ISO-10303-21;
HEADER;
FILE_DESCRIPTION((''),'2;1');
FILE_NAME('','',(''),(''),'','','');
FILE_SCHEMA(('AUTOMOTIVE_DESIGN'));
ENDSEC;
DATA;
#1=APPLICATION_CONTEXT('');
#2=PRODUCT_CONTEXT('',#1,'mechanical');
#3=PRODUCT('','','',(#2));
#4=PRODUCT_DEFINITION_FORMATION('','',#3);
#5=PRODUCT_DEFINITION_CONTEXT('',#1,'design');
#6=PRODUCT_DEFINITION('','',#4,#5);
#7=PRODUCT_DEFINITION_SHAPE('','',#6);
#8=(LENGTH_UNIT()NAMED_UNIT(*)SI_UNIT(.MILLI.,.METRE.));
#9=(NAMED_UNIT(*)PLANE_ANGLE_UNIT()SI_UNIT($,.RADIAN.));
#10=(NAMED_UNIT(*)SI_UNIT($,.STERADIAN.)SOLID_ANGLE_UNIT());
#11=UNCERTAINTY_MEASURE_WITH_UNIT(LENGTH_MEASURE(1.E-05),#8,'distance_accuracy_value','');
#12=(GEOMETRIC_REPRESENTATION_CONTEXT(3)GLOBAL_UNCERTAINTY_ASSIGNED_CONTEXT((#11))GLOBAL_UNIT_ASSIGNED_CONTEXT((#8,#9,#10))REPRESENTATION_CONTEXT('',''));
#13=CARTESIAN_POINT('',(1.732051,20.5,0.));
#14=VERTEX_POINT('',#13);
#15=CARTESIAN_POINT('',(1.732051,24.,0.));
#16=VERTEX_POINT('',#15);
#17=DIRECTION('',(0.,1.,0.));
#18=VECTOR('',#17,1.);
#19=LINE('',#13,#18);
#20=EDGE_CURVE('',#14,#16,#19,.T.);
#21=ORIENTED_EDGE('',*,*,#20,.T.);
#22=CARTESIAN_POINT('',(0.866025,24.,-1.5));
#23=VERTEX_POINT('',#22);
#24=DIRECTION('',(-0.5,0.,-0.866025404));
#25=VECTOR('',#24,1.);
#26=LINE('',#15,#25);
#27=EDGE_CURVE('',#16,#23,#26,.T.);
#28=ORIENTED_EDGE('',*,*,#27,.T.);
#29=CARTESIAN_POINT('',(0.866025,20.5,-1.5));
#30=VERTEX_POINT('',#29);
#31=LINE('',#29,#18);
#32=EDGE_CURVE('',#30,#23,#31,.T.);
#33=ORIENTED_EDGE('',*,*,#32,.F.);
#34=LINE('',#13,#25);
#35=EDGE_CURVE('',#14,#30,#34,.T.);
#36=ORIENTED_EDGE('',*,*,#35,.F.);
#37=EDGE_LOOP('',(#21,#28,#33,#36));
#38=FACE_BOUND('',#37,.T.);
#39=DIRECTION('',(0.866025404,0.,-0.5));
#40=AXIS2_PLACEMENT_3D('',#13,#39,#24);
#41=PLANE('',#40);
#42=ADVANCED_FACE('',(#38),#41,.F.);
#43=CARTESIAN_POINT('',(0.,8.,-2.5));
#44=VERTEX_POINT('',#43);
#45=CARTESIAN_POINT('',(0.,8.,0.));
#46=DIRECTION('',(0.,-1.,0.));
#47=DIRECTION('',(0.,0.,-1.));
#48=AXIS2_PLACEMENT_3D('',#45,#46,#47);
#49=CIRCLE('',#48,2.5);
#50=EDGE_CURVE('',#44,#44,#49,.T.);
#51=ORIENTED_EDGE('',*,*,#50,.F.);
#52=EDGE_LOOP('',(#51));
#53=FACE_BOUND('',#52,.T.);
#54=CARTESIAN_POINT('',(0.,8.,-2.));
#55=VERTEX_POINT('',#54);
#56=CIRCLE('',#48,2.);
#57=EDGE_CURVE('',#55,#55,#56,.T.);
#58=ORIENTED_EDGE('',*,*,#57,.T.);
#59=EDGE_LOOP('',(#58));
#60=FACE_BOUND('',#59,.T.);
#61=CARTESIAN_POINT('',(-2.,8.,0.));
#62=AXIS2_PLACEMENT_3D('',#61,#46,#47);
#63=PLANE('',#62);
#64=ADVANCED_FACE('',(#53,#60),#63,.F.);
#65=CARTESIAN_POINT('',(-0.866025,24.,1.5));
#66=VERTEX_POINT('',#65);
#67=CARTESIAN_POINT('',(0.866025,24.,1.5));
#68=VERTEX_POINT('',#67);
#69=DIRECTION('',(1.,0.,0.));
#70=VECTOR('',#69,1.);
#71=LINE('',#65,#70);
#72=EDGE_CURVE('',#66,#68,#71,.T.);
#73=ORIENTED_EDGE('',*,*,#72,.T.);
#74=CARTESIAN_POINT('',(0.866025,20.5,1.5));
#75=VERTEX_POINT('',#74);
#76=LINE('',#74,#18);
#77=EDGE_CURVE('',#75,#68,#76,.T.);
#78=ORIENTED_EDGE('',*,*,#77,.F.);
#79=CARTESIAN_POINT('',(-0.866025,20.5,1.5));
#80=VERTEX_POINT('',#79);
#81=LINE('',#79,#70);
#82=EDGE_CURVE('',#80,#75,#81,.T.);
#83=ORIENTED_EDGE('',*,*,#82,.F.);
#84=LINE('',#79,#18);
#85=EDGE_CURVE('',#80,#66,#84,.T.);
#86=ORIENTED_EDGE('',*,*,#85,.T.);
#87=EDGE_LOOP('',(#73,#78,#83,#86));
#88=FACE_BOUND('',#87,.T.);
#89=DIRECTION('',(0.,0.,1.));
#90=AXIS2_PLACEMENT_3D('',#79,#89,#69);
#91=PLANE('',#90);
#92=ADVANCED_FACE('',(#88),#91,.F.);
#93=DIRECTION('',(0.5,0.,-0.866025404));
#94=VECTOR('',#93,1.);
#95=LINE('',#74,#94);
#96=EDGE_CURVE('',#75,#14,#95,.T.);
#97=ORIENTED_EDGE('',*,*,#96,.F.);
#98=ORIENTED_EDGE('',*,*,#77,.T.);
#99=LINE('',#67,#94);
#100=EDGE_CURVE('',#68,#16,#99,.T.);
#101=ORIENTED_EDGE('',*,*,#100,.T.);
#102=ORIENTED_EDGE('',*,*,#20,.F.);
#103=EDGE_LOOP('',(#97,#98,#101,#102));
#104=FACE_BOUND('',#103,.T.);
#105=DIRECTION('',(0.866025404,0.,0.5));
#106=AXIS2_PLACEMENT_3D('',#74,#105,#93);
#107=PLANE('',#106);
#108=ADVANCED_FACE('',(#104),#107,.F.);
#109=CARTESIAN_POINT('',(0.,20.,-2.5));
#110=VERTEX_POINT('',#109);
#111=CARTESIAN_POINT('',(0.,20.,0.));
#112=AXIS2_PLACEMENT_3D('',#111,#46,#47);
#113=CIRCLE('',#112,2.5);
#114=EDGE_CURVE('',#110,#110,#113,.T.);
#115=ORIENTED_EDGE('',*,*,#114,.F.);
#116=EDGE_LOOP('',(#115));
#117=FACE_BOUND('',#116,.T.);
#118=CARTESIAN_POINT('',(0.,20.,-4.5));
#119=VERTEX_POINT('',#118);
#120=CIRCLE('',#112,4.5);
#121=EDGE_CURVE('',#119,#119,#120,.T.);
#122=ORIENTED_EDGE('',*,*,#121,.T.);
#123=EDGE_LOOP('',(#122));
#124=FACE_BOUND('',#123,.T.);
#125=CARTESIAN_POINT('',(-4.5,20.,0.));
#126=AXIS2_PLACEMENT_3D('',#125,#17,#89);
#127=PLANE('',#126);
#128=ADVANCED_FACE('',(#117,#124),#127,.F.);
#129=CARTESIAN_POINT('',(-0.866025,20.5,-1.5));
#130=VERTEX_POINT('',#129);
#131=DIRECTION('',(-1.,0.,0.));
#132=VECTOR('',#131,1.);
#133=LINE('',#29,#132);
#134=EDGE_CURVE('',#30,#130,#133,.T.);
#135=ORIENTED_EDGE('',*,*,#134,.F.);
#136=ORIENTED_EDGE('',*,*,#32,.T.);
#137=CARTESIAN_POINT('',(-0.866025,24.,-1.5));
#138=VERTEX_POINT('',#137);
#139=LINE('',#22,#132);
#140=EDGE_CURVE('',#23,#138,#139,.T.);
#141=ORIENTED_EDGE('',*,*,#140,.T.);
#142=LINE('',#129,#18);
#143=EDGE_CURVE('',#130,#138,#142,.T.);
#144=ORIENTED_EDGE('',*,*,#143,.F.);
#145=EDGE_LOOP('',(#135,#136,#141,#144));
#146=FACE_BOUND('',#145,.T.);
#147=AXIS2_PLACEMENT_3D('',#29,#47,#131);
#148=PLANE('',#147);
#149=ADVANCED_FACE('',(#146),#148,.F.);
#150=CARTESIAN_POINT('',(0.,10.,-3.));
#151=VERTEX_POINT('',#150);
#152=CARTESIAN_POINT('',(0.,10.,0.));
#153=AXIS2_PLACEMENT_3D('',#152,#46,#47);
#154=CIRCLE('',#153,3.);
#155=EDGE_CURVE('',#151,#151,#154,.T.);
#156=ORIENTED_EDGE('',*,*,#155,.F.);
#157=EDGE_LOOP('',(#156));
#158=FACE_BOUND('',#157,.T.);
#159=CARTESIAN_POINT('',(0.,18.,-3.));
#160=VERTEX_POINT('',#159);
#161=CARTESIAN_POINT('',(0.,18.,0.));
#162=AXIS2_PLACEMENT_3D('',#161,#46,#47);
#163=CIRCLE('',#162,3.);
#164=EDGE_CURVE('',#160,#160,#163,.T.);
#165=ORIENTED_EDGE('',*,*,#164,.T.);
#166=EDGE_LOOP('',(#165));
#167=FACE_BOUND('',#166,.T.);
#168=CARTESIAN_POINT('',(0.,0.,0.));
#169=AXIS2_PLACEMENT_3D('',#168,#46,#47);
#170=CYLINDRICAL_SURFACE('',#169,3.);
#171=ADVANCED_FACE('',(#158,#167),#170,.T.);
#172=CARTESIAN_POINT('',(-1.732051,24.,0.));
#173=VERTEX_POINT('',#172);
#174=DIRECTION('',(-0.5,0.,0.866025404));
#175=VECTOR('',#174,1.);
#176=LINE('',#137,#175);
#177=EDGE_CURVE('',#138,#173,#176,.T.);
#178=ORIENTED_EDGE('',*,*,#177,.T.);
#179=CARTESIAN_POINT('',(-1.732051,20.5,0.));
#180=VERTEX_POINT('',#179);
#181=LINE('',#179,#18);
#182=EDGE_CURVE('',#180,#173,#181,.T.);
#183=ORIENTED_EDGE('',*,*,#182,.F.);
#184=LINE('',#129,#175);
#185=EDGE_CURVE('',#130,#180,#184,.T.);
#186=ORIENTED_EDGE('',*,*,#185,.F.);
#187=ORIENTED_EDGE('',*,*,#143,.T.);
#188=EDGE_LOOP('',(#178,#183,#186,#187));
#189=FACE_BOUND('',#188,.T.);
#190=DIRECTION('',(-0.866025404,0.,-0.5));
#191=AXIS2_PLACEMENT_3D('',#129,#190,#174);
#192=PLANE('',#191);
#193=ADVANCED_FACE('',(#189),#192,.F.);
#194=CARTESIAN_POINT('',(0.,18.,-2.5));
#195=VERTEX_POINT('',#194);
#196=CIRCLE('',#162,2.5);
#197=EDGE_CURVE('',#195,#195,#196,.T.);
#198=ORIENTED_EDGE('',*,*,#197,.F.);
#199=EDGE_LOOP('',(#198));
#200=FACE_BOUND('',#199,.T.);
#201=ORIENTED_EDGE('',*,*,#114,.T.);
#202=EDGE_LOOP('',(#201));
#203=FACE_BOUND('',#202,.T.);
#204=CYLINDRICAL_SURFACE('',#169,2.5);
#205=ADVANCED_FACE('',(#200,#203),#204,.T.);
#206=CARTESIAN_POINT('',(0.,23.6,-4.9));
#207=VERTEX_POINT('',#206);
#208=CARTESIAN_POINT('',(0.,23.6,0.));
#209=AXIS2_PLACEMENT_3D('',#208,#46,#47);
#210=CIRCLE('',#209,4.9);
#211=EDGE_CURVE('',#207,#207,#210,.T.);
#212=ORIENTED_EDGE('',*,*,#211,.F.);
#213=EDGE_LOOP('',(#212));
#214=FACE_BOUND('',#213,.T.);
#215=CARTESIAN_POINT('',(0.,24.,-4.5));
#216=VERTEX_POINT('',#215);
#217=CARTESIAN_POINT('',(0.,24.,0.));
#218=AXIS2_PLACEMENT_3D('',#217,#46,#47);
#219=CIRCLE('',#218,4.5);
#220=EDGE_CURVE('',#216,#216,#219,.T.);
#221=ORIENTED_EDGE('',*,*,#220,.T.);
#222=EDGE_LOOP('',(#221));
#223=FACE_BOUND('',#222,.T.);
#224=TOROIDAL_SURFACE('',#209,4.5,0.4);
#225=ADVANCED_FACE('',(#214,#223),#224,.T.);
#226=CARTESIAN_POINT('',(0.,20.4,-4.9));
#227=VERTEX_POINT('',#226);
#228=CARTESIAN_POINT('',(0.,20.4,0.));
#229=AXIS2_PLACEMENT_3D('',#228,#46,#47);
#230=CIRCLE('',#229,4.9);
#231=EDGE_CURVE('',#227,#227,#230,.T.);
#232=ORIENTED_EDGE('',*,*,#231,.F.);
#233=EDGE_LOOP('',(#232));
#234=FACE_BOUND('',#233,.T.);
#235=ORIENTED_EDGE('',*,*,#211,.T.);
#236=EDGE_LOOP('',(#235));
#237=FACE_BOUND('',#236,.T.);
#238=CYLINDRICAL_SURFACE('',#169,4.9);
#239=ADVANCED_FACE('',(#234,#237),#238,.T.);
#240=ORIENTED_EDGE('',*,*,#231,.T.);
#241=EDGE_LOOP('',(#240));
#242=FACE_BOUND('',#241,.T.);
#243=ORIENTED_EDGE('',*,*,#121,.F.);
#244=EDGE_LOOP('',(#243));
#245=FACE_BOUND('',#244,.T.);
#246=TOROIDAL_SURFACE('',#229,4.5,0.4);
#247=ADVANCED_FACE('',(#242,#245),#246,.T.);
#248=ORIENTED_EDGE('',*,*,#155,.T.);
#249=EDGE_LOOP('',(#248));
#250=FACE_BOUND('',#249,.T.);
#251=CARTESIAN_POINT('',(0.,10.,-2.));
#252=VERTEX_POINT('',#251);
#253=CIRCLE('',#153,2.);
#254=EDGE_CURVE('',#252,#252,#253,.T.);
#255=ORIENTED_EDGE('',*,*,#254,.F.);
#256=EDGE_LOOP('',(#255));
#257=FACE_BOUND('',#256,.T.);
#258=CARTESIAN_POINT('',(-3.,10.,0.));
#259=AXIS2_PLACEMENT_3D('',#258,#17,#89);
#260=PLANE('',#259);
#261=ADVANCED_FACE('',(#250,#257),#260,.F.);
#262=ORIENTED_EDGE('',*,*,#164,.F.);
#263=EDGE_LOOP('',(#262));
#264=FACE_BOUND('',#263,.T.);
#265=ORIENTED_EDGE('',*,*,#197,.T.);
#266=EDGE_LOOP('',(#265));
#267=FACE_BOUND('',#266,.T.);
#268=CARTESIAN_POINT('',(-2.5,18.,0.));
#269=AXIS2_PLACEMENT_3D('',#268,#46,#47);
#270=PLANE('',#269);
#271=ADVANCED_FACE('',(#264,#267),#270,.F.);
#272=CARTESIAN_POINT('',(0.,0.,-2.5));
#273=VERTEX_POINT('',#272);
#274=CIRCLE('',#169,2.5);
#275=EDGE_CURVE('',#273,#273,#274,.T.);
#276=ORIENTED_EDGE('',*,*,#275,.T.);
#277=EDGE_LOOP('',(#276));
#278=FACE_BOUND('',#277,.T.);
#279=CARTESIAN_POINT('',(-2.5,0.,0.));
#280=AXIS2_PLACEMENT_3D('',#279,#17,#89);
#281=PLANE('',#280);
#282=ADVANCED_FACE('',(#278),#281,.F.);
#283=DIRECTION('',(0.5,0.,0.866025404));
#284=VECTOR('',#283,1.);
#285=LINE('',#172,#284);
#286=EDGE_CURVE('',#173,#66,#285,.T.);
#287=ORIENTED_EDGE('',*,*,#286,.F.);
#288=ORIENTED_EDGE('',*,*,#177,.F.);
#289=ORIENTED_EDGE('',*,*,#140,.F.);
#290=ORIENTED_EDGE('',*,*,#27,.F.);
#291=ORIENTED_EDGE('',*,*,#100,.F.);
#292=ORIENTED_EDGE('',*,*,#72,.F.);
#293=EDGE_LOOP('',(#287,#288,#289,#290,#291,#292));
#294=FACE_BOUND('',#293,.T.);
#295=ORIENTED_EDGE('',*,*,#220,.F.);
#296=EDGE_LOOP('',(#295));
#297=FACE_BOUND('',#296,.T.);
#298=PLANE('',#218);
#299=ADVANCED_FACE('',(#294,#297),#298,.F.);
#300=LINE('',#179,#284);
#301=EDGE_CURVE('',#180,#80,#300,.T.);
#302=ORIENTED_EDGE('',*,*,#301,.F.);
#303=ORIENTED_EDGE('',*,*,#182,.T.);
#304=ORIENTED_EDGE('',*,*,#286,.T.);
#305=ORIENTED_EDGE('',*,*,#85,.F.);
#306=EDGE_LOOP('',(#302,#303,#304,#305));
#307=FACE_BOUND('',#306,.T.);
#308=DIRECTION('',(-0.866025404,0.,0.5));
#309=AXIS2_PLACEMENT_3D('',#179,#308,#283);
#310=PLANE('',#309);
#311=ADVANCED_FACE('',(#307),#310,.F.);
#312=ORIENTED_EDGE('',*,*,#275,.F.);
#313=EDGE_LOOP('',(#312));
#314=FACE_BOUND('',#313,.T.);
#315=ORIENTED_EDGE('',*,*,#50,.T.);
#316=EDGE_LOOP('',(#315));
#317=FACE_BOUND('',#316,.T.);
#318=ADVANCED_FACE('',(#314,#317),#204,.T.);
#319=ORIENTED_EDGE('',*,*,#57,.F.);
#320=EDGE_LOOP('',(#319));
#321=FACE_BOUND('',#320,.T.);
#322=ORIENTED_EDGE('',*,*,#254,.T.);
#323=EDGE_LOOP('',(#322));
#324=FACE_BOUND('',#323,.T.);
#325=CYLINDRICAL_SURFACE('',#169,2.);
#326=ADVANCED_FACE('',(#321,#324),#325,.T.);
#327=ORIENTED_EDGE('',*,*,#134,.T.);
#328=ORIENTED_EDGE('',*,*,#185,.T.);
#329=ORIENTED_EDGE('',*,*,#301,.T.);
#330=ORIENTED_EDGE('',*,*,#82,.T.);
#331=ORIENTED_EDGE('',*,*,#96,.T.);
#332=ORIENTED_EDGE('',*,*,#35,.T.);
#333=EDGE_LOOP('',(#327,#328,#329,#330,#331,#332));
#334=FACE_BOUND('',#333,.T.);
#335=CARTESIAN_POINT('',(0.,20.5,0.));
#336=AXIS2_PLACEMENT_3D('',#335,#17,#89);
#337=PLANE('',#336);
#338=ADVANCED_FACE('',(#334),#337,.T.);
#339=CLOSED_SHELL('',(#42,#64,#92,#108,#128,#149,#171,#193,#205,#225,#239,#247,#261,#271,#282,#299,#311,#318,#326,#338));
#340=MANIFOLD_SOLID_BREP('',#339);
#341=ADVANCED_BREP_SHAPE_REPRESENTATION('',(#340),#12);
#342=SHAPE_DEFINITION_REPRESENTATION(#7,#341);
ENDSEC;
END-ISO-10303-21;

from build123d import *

# Parameters (mm, degrees)
CUT_EXTRUDE_1_DEPTH = 3.5


with BuildPart() as part:
    # 草图1 → 旋转1 (revolve)
    with BuildSketch(Plane.XY, mode=Mode.PRIVATE) as revolve_1_sk:
        with BuildLine():
            Line((0, 24), (-4.5, 24))
            ThreePointArc((-4.5, 24), (-4.782842712, 23.882842712), (-4.9, 23.6))
            Line((-4.9, 23.6), (-4.9, 20.4))
            ThreePointArc((-4.9, 20.4), (-4.782842712, 20.117157288), (-4.5, 20))
            Line((-4.5, 20), (-2.5, 20))
            Line((-2.5, 20), (-2.5, 18))
            Line((-2.5, 18), (-3, 18))
            Line((-3, 18), (-3, 10))
            Line((-3, 10), (-2, 10))
            Line((-2, 10), (-2, 8))
            Line((-2, 8), (-2.5, 8))
            Line((-2.5, 8), (-2.5, 0))
            Line((-2.5, 0), (0, 0))
            Line((0, 0), (0, 24))
        make_face()
    revolve(revolve_1_sk.sketch.rotate(Axis((0, 0, 0), (0, 1, 0)), 270), axis=Axis((0, 0, 0), (0, 1, 0)))

    # 草图2 → 切除-拉伸1 (cut)
    with BuildSketch(Plane(origin=(0, 24, 0), x_dir=(1, 0, 0), z_dir=(0, 1, 0))):
        Polygon((0.866025404, 1.5), (-0.866025404, 1.5), (-1.732050808, 0), (-0.866025404, -1.5), (0.866025404, -1.5), (1.732050808, 0), align=None)
    extrude(amount=-CUT_EXTRUDE_1_DEPTH, mode=Mode.SUBTRACT)


solid = part.part
